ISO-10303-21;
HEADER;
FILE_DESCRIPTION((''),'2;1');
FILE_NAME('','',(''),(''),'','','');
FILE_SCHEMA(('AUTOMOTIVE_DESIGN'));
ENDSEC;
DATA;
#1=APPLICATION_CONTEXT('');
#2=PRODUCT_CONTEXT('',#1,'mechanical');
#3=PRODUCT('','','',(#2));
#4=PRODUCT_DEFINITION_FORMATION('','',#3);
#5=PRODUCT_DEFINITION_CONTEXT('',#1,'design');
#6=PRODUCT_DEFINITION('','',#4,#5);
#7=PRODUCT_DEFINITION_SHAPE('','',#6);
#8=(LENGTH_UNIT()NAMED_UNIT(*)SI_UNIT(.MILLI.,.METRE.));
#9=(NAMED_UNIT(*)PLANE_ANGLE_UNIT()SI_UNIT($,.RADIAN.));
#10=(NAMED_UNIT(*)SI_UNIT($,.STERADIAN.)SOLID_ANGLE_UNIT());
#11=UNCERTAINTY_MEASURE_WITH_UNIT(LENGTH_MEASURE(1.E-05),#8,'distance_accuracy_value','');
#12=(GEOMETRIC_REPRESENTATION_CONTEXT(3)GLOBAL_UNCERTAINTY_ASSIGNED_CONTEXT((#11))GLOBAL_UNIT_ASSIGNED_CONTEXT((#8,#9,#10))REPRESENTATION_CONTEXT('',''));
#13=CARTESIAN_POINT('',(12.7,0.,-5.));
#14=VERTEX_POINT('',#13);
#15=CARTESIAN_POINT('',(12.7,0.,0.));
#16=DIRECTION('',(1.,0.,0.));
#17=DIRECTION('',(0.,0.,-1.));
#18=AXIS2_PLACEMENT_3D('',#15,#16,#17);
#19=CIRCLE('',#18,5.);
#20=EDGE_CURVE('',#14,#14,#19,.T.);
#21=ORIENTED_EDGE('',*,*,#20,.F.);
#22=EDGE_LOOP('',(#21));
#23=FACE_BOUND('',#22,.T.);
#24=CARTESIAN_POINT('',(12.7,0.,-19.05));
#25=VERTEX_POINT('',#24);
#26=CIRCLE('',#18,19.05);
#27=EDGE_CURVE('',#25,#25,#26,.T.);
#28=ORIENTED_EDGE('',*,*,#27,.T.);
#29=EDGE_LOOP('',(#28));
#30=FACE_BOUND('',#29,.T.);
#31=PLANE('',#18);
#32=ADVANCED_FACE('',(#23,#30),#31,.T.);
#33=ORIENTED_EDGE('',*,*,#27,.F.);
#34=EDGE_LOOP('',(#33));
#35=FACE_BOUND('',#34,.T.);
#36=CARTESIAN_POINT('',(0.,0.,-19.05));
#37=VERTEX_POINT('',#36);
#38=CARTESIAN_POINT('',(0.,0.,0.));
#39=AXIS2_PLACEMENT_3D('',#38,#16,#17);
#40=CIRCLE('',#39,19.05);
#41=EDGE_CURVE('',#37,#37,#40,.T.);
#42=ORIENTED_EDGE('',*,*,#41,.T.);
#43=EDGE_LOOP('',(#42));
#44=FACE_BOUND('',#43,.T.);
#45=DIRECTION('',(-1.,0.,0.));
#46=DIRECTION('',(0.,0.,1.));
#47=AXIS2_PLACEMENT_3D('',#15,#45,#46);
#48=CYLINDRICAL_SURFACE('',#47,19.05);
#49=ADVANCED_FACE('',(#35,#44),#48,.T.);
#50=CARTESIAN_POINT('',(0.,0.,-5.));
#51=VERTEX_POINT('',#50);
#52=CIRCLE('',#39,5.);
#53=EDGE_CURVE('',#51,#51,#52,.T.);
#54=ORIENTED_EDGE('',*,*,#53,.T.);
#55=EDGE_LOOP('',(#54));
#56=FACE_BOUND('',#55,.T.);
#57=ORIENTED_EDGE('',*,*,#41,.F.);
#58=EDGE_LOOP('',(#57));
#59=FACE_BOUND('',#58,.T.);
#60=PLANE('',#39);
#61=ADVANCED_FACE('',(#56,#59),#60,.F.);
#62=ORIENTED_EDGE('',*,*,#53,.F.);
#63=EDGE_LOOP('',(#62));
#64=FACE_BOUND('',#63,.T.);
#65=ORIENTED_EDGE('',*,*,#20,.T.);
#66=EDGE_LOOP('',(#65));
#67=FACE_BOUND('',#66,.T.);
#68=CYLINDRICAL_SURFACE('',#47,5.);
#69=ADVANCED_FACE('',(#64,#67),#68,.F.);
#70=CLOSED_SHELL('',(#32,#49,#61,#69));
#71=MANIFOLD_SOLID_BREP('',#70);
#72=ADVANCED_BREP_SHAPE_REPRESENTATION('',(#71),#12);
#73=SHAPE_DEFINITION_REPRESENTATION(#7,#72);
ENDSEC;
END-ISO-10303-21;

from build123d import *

# Parameters (mm, degrees)
SKETCH1_R           = 19.05
SKETCH1_R_2         = 5
BOSS_EXTRUDE1_DEPTH = 12.7


with BuildPart() as part:
    # Sketch1 → Boss-Extrude1 (new body)
    with BuildSketch(Plane(origin=(0, 0, 0), x_dir=(0, 0, -1), z_dir=(1, 0, 0))):
        Circle(SKETCH1_R)
        Circle(SKETCH1_R_2, mode=Mode.SUBTRACT)
    extrude(amount=BOSS_EXTRUDE1_DEPTH)


solid = part.part
